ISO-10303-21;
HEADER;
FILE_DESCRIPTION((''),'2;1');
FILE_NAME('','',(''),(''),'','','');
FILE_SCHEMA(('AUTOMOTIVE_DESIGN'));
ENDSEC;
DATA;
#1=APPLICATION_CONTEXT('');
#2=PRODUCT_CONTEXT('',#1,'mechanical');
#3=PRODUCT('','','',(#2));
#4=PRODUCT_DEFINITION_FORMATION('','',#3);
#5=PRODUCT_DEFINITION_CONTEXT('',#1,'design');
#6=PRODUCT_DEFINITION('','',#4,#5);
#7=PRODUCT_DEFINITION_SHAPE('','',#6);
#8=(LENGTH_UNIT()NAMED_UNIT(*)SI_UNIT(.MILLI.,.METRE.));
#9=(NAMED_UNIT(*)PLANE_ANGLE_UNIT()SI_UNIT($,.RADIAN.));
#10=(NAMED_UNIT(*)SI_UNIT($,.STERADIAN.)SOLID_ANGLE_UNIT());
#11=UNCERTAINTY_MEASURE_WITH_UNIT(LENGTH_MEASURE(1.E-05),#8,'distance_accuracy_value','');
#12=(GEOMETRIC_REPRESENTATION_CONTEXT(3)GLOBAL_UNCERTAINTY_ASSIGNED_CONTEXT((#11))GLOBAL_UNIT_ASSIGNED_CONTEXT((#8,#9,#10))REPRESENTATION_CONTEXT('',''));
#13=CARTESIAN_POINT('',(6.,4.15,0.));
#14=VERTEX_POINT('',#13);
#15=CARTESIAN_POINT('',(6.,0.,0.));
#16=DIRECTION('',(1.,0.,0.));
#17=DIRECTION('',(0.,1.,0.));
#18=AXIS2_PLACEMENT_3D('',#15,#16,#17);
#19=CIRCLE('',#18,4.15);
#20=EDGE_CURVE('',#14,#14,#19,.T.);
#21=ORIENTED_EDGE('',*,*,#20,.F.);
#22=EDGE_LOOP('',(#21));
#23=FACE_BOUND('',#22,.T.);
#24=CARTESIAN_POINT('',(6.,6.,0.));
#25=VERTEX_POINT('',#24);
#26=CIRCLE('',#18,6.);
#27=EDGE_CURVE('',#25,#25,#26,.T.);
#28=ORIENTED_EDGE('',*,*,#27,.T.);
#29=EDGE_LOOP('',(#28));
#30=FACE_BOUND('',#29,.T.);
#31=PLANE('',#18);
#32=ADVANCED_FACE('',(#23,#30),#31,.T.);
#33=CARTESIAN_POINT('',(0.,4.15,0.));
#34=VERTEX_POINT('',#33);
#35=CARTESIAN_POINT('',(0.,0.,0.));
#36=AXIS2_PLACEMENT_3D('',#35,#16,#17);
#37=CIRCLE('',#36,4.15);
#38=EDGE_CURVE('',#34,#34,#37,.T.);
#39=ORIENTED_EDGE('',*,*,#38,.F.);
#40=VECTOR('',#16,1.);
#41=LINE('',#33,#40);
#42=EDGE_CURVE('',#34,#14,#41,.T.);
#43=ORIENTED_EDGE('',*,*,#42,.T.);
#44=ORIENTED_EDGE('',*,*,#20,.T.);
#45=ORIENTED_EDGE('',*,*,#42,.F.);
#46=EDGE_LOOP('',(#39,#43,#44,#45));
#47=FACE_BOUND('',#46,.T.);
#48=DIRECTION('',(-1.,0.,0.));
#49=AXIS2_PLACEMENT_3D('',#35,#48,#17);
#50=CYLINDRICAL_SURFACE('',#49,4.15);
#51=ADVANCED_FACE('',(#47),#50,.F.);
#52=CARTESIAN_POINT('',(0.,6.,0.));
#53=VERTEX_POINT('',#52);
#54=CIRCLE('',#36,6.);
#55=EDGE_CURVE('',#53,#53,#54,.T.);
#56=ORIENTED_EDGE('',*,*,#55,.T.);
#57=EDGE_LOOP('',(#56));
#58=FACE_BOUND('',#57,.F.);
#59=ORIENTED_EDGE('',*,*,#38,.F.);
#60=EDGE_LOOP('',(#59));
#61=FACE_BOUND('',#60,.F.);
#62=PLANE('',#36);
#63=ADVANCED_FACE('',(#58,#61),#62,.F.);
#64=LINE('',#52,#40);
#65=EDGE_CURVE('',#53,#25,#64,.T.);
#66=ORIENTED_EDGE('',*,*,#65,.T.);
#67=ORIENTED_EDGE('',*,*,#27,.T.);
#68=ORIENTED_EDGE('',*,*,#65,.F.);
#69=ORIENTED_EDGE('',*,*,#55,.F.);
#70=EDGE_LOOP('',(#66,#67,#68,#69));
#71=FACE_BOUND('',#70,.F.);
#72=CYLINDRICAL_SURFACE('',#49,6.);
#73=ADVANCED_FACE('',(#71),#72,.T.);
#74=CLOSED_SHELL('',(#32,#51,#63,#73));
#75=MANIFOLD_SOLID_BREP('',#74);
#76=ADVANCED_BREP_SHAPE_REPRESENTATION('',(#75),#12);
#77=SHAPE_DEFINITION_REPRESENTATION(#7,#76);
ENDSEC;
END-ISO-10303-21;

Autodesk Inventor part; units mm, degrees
ref_plane "YZ Plane" through (0, 0, 0) normal (1, 0, 0) x (0, 1, 0)
ref_plane "XZ Plane" through (0, 0, 0) normal (0, 1, 0) x (-1, 0, 0)
ref_plane "XY Plane" through (0, 0, 0) normal (0, 0, 1) x (1, 0, 0)
sketch "スケッチ1" plane through (0, 0, 0) normal (1, 0, 0) x (0, 1, 0)
  circle A0 centre (0, 0) radius 4.15
  circle A1 centre (0, 0) radius 6
  dimension "d0" = 8.3
  dimension "d1" = 12
extrude "押し出し1" add sketch "スケッチ1" along normal blind 6
properties part number "RZvector-v1-3DP-P-Spacer-6" material "ABS プラスチック"
